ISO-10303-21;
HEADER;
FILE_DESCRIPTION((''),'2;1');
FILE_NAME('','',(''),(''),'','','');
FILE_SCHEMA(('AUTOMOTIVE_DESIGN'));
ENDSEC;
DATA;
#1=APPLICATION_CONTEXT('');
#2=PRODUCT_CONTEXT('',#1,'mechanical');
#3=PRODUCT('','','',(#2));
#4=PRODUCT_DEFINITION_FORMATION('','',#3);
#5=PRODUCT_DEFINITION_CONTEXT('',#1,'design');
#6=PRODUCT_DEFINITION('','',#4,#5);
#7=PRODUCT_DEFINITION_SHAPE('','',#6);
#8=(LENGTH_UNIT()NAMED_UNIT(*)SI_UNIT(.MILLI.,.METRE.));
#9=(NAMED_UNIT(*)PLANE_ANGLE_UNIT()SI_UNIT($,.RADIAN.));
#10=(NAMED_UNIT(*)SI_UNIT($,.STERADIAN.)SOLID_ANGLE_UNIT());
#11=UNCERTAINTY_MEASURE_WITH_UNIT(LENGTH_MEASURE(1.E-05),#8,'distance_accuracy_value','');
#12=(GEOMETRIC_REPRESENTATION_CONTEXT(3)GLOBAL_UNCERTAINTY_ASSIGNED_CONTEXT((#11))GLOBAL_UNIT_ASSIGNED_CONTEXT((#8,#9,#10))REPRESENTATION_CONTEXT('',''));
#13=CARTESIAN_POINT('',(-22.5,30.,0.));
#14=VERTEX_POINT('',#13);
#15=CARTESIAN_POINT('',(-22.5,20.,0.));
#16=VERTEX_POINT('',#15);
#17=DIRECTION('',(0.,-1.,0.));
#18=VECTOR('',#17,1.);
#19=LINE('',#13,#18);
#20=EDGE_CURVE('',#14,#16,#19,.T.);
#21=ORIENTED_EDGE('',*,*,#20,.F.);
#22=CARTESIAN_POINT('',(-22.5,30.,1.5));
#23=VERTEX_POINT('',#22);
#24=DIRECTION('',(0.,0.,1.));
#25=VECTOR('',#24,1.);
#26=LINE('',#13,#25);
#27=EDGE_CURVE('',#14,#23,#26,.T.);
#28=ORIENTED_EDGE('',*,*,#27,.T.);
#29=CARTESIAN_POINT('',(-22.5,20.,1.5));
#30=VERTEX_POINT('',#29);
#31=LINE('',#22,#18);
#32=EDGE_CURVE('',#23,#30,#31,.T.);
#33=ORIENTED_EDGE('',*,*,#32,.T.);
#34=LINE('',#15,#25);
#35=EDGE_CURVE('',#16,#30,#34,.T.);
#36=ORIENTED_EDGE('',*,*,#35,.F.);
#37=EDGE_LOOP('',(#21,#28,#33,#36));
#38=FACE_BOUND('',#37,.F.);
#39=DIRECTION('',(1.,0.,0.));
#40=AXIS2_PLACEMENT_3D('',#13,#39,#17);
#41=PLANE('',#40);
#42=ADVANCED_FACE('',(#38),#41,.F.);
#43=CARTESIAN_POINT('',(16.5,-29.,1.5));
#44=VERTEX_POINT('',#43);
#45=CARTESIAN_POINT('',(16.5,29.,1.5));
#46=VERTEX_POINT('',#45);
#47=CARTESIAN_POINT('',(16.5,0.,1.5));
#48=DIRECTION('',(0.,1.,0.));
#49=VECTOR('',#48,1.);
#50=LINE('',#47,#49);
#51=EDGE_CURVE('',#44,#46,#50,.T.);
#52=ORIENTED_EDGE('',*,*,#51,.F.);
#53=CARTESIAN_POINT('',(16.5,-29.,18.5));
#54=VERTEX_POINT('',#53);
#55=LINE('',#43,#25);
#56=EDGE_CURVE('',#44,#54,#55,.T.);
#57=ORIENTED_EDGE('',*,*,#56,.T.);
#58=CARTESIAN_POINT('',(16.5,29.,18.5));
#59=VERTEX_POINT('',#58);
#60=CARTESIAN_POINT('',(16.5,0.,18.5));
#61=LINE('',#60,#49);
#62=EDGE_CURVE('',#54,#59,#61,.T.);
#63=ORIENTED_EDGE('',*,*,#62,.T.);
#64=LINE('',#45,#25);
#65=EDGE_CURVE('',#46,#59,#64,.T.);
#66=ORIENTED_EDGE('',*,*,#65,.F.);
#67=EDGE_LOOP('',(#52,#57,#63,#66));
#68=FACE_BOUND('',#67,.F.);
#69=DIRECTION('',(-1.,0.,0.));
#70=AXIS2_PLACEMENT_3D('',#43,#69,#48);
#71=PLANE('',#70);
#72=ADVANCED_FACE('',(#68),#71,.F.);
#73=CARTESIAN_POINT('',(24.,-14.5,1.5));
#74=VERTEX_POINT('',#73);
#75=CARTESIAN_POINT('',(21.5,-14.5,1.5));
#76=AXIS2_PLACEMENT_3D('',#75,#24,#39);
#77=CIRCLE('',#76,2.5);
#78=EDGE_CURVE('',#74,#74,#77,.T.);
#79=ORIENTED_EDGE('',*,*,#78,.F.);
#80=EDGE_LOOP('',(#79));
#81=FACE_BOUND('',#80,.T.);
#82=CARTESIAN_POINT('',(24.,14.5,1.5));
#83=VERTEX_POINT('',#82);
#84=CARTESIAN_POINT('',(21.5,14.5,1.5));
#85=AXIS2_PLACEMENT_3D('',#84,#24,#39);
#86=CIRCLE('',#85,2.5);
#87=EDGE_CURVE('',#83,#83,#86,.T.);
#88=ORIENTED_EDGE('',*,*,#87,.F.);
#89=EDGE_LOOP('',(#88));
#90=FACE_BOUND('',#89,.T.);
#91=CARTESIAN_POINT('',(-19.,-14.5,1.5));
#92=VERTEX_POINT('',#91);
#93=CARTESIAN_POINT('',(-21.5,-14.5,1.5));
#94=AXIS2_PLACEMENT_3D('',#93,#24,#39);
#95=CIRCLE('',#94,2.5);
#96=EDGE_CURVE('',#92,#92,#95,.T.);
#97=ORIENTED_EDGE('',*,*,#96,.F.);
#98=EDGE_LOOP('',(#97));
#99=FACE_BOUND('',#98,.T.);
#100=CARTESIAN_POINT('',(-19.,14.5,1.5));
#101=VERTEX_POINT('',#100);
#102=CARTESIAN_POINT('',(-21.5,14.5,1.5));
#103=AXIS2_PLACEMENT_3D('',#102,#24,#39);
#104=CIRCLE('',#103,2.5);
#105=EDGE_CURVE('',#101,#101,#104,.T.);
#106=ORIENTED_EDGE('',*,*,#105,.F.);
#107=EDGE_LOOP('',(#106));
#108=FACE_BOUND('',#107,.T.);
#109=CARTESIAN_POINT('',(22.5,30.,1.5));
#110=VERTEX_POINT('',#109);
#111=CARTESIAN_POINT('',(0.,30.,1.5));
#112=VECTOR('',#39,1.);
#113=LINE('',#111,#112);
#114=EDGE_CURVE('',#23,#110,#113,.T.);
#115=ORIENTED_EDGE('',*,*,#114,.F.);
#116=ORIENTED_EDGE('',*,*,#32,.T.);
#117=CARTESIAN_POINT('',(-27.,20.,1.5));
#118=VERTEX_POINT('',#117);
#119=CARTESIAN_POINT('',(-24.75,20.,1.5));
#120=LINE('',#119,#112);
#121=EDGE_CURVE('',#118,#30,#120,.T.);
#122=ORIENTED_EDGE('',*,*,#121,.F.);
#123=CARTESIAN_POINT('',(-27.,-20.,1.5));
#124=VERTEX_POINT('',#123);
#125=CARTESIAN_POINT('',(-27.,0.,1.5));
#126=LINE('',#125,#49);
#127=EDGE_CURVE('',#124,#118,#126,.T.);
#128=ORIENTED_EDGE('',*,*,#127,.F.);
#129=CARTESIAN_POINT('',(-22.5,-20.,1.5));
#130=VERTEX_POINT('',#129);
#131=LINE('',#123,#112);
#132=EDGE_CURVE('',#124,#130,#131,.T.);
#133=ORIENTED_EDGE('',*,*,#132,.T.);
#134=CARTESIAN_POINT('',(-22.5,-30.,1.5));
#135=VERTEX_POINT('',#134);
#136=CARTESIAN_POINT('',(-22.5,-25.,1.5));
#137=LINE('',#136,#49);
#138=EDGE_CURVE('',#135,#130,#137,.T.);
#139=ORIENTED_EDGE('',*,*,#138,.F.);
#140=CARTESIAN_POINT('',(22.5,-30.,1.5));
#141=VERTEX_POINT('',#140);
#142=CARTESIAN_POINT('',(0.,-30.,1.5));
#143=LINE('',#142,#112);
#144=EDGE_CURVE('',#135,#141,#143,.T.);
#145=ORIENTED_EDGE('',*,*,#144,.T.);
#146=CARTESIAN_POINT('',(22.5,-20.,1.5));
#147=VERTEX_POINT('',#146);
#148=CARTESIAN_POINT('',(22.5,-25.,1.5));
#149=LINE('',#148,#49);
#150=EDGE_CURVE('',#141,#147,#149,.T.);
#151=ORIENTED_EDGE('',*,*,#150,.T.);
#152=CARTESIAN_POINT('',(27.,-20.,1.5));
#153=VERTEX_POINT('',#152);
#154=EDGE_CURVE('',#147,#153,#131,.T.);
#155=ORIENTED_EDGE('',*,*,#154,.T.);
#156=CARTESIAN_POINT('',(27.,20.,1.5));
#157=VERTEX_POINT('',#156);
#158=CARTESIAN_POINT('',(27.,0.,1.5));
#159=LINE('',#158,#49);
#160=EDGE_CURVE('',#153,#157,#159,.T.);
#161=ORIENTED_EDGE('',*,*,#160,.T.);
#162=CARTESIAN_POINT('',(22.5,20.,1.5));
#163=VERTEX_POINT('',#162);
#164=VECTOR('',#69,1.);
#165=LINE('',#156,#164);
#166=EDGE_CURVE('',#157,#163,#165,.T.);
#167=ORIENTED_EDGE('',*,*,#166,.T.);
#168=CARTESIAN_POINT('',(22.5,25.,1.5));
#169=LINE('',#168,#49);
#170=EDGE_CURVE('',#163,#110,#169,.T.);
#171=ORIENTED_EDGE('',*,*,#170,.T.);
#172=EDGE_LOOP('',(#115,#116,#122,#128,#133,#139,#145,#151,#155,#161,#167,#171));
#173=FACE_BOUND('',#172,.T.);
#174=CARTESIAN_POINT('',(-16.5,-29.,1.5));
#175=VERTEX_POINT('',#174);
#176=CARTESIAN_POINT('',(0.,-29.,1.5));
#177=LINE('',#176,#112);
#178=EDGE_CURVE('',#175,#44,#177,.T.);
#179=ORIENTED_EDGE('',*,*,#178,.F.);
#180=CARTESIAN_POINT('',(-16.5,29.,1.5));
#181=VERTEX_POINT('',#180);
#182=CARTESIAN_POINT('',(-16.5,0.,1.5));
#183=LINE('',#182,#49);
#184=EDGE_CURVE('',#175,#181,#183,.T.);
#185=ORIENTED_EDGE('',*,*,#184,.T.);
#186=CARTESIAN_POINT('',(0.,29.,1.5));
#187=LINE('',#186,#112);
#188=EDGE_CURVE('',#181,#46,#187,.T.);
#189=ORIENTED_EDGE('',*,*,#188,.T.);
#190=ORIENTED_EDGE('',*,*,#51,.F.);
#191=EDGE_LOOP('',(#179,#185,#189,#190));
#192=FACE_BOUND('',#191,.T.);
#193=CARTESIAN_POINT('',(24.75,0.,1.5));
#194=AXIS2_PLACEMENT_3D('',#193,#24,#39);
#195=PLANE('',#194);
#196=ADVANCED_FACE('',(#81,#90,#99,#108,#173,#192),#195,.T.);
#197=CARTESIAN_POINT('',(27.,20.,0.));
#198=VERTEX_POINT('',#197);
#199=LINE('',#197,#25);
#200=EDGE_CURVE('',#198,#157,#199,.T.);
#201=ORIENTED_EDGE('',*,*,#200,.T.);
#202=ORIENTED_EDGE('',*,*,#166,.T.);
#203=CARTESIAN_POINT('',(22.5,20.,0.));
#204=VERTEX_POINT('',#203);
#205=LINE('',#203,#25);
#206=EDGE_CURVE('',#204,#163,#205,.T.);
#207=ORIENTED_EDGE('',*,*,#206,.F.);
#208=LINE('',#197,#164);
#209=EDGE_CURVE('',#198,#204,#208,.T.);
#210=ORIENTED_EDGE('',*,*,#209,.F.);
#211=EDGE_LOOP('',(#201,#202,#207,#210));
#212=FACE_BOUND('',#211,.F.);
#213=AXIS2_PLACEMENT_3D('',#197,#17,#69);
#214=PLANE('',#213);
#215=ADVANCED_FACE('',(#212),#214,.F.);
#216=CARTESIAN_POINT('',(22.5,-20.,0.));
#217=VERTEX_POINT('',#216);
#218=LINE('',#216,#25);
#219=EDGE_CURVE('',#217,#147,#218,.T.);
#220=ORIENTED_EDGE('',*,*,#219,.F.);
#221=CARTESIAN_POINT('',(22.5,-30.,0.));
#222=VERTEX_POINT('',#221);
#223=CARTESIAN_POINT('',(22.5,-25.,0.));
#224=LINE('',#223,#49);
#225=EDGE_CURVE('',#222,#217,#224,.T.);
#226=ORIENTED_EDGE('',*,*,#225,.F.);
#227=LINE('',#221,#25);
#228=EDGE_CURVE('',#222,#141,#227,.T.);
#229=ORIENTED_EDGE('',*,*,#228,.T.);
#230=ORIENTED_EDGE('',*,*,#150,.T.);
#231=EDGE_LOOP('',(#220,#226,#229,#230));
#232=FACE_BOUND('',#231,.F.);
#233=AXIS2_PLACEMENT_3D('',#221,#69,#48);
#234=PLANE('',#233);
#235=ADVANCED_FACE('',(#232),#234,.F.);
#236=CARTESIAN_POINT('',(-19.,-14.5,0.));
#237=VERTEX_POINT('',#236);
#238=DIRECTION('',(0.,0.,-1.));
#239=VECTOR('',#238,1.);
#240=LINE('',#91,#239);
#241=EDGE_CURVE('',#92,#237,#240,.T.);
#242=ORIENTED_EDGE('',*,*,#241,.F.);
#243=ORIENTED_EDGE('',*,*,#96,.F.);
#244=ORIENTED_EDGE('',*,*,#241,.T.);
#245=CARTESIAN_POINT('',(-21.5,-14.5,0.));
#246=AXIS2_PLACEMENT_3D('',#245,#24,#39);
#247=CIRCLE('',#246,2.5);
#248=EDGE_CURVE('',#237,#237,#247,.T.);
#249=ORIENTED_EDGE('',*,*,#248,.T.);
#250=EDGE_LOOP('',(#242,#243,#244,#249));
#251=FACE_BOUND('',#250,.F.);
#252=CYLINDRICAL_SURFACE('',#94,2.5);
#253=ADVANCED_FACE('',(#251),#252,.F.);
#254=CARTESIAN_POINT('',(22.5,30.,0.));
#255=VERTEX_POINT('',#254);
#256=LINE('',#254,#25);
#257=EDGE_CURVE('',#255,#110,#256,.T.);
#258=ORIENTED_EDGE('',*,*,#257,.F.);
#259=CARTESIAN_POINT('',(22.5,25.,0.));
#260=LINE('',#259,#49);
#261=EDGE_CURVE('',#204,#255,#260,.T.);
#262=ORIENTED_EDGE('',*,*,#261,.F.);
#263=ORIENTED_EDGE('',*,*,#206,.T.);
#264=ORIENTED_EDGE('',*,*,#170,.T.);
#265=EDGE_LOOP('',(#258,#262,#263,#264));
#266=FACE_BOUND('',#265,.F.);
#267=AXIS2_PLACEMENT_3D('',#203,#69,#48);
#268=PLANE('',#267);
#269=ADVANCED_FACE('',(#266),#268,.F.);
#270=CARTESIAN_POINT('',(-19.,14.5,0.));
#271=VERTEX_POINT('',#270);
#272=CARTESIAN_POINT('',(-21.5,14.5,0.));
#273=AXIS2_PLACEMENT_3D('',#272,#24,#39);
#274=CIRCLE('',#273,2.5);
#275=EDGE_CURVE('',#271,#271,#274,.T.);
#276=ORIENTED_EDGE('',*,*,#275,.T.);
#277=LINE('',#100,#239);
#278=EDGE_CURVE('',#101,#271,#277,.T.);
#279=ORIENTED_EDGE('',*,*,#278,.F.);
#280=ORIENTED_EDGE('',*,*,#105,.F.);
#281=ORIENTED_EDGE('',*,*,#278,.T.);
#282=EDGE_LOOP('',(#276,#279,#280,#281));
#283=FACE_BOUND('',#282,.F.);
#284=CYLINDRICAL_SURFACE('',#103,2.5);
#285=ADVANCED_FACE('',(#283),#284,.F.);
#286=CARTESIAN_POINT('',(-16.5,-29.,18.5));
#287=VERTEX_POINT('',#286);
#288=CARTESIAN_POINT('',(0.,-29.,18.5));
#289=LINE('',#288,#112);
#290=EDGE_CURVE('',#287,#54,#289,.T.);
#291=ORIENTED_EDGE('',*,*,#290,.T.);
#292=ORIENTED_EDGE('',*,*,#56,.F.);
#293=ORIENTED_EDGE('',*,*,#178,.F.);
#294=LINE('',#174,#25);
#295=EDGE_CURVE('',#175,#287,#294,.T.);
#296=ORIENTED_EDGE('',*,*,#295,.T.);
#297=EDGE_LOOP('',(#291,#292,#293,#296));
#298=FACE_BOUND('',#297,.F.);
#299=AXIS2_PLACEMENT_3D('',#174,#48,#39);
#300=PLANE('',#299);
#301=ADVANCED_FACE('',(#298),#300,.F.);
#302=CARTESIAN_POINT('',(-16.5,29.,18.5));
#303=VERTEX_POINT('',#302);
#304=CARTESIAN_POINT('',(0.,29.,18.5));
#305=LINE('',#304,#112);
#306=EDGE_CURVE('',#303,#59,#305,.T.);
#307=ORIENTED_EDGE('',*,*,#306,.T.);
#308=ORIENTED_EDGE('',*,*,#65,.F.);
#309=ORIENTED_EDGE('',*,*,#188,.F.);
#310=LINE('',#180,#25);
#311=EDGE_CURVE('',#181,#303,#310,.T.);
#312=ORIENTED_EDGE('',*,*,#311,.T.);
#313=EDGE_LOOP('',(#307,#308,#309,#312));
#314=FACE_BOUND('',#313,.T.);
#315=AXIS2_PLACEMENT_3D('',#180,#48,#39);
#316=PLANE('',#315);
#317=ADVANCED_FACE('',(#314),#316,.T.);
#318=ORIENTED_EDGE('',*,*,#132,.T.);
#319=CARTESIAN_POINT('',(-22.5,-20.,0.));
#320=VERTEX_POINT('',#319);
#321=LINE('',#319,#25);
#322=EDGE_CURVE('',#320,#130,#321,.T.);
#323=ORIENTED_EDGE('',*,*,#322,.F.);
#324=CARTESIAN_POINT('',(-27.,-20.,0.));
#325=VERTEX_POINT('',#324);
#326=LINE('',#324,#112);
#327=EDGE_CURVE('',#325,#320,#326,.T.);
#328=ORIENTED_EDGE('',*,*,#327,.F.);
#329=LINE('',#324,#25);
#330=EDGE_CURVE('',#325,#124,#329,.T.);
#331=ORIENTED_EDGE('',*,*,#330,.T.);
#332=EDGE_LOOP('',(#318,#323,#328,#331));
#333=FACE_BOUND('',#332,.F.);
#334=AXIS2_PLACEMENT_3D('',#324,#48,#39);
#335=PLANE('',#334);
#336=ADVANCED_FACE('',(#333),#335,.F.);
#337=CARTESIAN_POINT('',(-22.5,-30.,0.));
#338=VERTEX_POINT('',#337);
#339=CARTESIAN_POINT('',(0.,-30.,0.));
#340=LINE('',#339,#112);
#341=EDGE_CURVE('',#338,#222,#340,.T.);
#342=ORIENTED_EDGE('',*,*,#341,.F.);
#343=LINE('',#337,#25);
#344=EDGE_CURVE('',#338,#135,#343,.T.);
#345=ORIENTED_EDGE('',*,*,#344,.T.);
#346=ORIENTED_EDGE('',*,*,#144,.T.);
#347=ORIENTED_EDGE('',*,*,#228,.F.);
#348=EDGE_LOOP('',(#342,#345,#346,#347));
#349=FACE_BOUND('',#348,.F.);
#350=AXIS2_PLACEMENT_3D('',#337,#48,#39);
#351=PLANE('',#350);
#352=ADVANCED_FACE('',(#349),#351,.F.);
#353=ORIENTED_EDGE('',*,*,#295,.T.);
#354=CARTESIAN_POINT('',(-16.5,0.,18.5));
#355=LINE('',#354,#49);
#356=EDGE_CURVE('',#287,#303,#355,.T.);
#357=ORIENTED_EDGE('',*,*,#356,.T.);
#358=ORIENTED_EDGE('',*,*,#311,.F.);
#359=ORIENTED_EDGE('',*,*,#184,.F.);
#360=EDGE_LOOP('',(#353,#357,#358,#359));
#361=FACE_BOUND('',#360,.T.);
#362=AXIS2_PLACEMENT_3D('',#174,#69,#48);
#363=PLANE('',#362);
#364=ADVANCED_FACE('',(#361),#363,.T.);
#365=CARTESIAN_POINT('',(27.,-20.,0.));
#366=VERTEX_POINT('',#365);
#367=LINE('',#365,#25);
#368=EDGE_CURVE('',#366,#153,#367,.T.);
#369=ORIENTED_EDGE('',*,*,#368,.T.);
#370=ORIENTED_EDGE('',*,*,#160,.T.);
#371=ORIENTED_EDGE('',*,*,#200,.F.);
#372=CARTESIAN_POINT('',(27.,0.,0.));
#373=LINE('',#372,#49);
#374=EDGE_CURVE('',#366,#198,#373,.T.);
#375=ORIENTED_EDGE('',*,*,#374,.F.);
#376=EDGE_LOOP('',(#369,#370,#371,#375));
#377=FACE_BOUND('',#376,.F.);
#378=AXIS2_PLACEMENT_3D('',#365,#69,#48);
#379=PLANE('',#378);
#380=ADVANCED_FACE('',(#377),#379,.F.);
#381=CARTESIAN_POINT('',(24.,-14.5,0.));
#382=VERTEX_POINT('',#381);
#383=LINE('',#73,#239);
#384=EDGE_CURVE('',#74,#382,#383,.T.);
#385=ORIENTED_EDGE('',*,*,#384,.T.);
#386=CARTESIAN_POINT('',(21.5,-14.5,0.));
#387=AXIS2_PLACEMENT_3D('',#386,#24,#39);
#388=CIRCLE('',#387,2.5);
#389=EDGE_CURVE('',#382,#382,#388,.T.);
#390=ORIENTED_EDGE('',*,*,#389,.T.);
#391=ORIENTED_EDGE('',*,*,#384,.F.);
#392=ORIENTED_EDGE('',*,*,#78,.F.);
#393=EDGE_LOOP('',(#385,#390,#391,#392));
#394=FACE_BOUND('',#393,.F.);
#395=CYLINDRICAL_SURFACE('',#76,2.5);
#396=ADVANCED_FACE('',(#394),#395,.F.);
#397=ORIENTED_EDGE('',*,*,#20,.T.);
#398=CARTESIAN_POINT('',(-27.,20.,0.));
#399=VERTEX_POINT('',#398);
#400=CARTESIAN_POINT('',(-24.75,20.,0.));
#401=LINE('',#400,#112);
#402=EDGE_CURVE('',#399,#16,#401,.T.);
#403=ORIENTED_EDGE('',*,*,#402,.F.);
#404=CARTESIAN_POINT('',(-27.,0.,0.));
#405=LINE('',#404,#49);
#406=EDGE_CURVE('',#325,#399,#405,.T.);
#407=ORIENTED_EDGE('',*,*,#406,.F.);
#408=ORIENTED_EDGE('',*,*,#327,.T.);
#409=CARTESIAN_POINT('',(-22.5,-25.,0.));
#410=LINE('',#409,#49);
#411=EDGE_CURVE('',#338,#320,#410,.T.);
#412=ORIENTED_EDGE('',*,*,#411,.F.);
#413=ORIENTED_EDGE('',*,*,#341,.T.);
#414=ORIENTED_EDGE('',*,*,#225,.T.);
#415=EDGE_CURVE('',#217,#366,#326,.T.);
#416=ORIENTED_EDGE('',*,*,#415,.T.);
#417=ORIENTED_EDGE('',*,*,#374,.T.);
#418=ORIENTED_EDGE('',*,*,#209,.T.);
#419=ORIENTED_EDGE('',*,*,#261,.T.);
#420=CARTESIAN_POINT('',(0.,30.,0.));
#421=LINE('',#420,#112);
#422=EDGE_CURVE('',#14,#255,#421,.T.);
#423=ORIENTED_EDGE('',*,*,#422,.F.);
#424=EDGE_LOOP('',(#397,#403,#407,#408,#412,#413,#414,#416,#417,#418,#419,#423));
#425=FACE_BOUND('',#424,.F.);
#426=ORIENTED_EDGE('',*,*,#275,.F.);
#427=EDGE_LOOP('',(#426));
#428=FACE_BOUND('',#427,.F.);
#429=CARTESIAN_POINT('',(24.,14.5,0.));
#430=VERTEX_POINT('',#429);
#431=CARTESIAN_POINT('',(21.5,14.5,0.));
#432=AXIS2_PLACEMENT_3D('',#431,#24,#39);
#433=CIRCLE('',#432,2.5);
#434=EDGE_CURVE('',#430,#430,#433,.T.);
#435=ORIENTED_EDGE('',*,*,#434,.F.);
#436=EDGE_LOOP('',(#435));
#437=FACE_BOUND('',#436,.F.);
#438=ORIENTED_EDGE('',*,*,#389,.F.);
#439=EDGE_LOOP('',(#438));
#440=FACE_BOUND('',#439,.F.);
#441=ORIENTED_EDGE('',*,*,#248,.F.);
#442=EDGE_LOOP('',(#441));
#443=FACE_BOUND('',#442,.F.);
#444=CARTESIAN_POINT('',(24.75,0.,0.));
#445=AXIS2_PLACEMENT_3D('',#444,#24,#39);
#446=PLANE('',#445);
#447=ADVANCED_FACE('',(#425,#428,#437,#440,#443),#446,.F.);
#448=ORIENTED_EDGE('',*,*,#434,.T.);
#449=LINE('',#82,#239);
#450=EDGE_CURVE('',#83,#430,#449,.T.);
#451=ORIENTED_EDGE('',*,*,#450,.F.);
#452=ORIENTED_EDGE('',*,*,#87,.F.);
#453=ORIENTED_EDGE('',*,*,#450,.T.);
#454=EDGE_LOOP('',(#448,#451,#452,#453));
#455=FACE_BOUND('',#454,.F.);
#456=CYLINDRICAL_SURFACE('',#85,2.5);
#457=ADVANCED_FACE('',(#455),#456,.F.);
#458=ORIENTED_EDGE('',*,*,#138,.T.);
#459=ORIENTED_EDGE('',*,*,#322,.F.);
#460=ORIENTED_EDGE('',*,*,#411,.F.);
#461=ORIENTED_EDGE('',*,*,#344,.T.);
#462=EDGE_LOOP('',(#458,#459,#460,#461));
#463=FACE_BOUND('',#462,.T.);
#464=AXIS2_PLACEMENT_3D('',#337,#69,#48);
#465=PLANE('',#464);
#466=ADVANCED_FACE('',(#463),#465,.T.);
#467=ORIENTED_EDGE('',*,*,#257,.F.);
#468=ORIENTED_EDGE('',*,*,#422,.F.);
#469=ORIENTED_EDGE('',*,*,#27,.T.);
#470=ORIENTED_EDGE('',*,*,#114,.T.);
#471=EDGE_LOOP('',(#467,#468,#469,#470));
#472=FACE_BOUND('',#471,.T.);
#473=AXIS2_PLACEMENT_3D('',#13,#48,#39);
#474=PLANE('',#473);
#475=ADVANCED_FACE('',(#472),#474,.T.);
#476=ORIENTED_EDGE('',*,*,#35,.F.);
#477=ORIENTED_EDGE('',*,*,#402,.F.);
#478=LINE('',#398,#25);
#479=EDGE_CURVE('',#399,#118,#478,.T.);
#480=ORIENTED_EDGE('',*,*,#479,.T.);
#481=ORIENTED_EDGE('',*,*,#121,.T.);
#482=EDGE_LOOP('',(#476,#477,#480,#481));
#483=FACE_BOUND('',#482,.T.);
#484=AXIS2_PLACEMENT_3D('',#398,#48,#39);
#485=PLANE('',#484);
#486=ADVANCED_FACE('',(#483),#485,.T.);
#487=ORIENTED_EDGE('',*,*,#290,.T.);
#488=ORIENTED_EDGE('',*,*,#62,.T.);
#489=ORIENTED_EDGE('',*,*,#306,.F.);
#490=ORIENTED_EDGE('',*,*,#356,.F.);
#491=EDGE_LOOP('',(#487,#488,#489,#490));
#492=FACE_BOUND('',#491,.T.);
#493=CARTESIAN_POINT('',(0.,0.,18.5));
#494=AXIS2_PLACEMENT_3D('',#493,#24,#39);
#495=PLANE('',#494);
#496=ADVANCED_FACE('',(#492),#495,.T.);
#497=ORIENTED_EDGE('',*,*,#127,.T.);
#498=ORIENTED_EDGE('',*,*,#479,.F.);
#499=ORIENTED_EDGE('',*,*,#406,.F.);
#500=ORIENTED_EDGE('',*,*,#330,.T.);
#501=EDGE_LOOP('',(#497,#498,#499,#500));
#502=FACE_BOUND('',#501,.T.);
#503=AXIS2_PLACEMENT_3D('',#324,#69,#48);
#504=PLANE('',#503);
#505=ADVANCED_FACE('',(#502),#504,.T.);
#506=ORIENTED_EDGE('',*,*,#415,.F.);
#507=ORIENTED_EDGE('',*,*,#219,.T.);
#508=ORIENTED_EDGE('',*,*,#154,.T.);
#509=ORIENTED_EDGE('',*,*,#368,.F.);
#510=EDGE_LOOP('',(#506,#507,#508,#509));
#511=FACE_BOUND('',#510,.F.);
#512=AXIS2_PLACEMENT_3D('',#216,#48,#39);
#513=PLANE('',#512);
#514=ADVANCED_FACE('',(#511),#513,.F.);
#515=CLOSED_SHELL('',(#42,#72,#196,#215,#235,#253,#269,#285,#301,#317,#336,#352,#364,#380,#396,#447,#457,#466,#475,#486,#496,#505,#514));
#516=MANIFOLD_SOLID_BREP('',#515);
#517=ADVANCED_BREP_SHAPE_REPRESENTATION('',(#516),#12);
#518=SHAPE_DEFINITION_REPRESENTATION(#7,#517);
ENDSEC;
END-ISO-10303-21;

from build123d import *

# Parameters (mm, degrees)
F0_W     = 4.5
F0_H     = 40
F0_W_2   = 45
F0_H_2   = 10
F1_DEPTH = 1.5
F2_R     = 2.5
F3_DEPTH = 25
F4_W     = 33
F4_H     = 58
F5_DEPTH = 17


with BuildPart() as f1:
    # F0 (on Top) → F1 (new body)
    with BuildSketch(Plane.XY):
        with Locations((24.75, 0)):
            Rectangle(F0_W, F0_H)
        Rectangle(F0_W_2, F0_H)
        with Locations((0, 25)):
            Rectangle(F0_W_2, F0_H_2)
        with Locations((-24.75, 0)):
            Rectangle(F0_W, F0_H)
        with Locations((0, -25)):
            Rectangle(F0_W_2, F0_H_2)
    extrude(amount=F1_DEPTH)

    # F2 (on face) → F3 (cut)
    with BuildSketch(Plane.XY.offset(1.5)):
        with Locations((-21.5, 14.5)):
            Circle(F2_R)
        with Locations((21.5, 14.5)):
            Circle(F2_R)
        with Locations((21.5, -14.5)):
            Circle(F2_R)
        with Locations((-21.5, -14.5)):
            Circle(F2_R)
    extrude(amount=-F3_DEPTH, mode=Mode.SUBTRACT)

    # F4 (on face) → F5 (join)
    with BuildSketch(Plane.XY.offset(1.5)):
        Rectangle(F4_W, F4_H)
    extrude(amount=F5_DEPTH)


solid = f1.part
